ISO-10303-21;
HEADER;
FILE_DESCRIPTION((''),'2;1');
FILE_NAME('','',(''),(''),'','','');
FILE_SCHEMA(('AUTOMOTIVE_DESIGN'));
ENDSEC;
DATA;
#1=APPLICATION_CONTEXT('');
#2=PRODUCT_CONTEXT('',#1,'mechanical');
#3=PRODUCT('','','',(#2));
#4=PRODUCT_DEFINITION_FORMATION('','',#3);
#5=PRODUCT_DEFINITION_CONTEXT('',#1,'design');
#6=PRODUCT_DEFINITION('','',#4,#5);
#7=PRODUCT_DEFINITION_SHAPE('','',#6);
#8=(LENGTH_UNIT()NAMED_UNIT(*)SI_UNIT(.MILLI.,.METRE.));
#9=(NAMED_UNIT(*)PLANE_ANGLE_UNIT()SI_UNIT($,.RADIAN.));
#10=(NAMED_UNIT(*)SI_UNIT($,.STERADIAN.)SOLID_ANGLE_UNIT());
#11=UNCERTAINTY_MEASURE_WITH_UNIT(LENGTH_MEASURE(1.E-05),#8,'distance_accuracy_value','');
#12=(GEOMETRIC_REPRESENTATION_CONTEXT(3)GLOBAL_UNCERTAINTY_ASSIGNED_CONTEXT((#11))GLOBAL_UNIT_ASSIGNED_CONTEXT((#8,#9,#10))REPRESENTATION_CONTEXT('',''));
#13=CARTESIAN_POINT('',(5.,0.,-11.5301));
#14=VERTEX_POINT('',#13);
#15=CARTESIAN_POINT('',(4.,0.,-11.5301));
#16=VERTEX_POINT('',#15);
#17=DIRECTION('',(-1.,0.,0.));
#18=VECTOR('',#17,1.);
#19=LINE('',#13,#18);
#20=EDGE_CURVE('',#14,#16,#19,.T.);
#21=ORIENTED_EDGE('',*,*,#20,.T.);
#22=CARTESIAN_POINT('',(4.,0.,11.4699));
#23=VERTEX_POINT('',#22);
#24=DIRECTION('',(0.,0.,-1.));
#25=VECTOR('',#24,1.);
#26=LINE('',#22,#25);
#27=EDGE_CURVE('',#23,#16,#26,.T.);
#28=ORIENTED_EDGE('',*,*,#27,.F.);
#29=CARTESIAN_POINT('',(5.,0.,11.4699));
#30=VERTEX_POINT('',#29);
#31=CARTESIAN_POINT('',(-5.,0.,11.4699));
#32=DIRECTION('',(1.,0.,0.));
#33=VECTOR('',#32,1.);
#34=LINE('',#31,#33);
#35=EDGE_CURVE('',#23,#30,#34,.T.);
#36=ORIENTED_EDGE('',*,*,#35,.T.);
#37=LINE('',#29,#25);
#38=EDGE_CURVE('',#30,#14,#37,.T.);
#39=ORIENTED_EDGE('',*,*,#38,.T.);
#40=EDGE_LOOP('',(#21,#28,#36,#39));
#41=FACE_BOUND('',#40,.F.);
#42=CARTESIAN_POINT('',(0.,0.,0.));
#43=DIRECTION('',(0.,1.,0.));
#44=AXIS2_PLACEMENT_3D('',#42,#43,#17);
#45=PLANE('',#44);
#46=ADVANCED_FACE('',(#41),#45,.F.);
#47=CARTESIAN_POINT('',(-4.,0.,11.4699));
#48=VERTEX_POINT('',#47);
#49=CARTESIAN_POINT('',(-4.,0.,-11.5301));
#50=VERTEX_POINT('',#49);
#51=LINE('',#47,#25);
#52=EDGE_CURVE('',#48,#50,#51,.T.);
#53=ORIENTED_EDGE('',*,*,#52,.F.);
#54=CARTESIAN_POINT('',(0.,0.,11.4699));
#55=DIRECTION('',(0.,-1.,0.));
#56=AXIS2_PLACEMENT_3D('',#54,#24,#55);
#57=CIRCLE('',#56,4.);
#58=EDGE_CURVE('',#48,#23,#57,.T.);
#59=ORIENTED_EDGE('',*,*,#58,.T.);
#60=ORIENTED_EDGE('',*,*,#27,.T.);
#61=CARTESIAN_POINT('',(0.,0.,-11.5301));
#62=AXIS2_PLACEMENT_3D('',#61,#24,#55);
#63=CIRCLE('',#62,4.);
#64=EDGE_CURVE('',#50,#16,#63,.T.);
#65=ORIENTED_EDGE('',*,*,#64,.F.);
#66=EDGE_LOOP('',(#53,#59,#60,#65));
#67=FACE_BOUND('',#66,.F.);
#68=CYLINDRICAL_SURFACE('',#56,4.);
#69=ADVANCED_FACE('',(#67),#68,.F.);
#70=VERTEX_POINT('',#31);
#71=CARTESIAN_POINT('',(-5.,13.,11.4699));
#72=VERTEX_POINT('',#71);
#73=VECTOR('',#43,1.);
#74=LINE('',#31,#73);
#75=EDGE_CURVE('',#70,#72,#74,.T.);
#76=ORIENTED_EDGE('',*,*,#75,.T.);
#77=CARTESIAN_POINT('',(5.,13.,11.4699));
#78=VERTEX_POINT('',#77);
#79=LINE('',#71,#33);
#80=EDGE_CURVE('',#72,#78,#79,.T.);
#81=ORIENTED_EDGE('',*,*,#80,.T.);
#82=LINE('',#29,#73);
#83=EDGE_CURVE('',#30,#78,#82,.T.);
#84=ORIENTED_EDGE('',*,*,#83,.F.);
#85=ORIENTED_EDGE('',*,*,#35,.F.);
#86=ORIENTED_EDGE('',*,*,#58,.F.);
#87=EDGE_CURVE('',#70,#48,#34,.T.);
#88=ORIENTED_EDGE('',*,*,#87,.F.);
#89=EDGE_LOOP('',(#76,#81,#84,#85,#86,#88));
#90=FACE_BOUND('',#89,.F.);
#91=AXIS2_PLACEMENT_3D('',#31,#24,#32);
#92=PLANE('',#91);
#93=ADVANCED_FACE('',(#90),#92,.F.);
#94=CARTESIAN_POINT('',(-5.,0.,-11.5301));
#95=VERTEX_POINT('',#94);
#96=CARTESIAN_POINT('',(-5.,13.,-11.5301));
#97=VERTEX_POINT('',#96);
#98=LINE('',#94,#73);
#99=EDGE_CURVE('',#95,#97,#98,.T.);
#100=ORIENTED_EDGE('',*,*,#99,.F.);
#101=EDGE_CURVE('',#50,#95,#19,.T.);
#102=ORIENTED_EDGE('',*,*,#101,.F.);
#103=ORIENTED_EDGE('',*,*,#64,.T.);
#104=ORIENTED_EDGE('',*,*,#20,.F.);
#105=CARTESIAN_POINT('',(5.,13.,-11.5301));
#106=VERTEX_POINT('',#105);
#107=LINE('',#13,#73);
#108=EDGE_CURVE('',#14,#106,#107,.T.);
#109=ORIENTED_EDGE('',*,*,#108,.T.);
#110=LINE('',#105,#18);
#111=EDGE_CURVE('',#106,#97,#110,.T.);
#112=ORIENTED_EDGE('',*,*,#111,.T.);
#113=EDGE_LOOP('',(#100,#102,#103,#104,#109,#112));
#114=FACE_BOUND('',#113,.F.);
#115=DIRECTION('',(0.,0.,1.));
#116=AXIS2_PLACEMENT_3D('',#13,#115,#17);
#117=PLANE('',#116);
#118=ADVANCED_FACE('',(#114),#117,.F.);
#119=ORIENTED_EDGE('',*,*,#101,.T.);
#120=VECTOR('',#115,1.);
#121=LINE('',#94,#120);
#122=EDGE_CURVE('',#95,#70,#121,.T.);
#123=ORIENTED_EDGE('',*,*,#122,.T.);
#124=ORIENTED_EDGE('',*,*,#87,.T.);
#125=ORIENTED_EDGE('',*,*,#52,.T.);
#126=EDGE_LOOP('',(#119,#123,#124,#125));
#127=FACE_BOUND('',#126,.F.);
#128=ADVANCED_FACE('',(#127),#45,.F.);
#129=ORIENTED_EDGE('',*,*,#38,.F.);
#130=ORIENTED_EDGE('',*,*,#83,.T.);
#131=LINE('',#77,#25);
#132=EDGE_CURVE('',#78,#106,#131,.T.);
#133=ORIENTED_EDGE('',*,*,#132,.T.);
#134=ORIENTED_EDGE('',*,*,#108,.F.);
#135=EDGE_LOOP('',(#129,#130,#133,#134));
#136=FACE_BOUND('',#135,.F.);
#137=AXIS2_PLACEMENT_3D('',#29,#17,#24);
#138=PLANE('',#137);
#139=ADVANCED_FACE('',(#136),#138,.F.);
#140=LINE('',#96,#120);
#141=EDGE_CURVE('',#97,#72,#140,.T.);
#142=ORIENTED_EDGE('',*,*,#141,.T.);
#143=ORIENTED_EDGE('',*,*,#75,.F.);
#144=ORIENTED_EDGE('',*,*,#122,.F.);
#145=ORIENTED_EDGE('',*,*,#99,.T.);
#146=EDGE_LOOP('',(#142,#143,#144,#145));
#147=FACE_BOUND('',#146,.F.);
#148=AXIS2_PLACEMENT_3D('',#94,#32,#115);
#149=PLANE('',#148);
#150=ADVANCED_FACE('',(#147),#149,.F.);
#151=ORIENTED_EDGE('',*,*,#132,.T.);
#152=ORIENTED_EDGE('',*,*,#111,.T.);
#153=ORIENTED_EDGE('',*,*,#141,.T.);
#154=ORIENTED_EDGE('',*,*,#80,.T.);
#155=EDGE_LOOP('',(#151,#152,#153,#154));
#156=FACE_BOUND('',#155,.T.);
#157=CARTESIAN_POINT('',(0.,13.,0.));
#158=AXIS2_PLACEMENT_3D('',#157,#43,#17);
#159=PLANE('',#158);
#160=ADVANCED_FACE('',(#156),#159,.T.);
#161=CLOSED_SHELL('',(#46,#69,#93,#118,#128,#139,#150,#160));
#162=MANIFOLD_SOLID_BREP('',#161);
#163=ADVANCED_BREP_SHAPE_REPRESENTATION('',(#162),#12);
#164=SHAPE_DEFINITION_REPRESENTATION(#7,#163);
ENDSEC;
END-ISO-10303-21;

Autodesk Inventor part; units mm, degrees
ref_plane "YZ Plane" through (0, 0, 0) normal (1, 0, 0) x (0, 1, 0)
ref_plane "XZ Plane" through (0, 0, 0) normal (0, 1, 0) x (-1, 0, 0)
ref_plane "XY Plane" through (0, 0, 0) normal (0, 0, 1) x (1, 0, 0)
sketch "Sketch1" plane through (0, 0, 0) normal (0, 1, 0) x (-1, 0, 0)
  line L0 (5, 11.4699) -> (-5, 11.4699)
  line L1 (-5, 11.4699) -> (-5, -11.5301)
  line L2 (-5, -11.5301) -> (5, -11.5301)
  line L3 (5, -11.5301) -> (5, 11.4699)
  line L4 (0, 11.4699) -> (0, -11.5301) construction
  line L5 (5, 0.0301) -> (-5, -0.0301) construction
  point P0 (0, 0)
  point P1 (0, 0)
  point P2 (0, -0.0301)
  dimension "d0" = 10
  dimension "d1" = 23
extrude "Extrusion1" add sketch "Sketch1" along normal blind 13
sketch "Sketch4" plane through (-5, 0, 11.4699) normal (0, 0, 1) x (1, 0, 0)
  circle A0 centre (5, 0) radius 4
  dimension "d11" = 8
hole "Hole1" at (0, 0, 11.4699) direction (0, 0, -1) diameter 8 end through all
properties part number "arm_block"
